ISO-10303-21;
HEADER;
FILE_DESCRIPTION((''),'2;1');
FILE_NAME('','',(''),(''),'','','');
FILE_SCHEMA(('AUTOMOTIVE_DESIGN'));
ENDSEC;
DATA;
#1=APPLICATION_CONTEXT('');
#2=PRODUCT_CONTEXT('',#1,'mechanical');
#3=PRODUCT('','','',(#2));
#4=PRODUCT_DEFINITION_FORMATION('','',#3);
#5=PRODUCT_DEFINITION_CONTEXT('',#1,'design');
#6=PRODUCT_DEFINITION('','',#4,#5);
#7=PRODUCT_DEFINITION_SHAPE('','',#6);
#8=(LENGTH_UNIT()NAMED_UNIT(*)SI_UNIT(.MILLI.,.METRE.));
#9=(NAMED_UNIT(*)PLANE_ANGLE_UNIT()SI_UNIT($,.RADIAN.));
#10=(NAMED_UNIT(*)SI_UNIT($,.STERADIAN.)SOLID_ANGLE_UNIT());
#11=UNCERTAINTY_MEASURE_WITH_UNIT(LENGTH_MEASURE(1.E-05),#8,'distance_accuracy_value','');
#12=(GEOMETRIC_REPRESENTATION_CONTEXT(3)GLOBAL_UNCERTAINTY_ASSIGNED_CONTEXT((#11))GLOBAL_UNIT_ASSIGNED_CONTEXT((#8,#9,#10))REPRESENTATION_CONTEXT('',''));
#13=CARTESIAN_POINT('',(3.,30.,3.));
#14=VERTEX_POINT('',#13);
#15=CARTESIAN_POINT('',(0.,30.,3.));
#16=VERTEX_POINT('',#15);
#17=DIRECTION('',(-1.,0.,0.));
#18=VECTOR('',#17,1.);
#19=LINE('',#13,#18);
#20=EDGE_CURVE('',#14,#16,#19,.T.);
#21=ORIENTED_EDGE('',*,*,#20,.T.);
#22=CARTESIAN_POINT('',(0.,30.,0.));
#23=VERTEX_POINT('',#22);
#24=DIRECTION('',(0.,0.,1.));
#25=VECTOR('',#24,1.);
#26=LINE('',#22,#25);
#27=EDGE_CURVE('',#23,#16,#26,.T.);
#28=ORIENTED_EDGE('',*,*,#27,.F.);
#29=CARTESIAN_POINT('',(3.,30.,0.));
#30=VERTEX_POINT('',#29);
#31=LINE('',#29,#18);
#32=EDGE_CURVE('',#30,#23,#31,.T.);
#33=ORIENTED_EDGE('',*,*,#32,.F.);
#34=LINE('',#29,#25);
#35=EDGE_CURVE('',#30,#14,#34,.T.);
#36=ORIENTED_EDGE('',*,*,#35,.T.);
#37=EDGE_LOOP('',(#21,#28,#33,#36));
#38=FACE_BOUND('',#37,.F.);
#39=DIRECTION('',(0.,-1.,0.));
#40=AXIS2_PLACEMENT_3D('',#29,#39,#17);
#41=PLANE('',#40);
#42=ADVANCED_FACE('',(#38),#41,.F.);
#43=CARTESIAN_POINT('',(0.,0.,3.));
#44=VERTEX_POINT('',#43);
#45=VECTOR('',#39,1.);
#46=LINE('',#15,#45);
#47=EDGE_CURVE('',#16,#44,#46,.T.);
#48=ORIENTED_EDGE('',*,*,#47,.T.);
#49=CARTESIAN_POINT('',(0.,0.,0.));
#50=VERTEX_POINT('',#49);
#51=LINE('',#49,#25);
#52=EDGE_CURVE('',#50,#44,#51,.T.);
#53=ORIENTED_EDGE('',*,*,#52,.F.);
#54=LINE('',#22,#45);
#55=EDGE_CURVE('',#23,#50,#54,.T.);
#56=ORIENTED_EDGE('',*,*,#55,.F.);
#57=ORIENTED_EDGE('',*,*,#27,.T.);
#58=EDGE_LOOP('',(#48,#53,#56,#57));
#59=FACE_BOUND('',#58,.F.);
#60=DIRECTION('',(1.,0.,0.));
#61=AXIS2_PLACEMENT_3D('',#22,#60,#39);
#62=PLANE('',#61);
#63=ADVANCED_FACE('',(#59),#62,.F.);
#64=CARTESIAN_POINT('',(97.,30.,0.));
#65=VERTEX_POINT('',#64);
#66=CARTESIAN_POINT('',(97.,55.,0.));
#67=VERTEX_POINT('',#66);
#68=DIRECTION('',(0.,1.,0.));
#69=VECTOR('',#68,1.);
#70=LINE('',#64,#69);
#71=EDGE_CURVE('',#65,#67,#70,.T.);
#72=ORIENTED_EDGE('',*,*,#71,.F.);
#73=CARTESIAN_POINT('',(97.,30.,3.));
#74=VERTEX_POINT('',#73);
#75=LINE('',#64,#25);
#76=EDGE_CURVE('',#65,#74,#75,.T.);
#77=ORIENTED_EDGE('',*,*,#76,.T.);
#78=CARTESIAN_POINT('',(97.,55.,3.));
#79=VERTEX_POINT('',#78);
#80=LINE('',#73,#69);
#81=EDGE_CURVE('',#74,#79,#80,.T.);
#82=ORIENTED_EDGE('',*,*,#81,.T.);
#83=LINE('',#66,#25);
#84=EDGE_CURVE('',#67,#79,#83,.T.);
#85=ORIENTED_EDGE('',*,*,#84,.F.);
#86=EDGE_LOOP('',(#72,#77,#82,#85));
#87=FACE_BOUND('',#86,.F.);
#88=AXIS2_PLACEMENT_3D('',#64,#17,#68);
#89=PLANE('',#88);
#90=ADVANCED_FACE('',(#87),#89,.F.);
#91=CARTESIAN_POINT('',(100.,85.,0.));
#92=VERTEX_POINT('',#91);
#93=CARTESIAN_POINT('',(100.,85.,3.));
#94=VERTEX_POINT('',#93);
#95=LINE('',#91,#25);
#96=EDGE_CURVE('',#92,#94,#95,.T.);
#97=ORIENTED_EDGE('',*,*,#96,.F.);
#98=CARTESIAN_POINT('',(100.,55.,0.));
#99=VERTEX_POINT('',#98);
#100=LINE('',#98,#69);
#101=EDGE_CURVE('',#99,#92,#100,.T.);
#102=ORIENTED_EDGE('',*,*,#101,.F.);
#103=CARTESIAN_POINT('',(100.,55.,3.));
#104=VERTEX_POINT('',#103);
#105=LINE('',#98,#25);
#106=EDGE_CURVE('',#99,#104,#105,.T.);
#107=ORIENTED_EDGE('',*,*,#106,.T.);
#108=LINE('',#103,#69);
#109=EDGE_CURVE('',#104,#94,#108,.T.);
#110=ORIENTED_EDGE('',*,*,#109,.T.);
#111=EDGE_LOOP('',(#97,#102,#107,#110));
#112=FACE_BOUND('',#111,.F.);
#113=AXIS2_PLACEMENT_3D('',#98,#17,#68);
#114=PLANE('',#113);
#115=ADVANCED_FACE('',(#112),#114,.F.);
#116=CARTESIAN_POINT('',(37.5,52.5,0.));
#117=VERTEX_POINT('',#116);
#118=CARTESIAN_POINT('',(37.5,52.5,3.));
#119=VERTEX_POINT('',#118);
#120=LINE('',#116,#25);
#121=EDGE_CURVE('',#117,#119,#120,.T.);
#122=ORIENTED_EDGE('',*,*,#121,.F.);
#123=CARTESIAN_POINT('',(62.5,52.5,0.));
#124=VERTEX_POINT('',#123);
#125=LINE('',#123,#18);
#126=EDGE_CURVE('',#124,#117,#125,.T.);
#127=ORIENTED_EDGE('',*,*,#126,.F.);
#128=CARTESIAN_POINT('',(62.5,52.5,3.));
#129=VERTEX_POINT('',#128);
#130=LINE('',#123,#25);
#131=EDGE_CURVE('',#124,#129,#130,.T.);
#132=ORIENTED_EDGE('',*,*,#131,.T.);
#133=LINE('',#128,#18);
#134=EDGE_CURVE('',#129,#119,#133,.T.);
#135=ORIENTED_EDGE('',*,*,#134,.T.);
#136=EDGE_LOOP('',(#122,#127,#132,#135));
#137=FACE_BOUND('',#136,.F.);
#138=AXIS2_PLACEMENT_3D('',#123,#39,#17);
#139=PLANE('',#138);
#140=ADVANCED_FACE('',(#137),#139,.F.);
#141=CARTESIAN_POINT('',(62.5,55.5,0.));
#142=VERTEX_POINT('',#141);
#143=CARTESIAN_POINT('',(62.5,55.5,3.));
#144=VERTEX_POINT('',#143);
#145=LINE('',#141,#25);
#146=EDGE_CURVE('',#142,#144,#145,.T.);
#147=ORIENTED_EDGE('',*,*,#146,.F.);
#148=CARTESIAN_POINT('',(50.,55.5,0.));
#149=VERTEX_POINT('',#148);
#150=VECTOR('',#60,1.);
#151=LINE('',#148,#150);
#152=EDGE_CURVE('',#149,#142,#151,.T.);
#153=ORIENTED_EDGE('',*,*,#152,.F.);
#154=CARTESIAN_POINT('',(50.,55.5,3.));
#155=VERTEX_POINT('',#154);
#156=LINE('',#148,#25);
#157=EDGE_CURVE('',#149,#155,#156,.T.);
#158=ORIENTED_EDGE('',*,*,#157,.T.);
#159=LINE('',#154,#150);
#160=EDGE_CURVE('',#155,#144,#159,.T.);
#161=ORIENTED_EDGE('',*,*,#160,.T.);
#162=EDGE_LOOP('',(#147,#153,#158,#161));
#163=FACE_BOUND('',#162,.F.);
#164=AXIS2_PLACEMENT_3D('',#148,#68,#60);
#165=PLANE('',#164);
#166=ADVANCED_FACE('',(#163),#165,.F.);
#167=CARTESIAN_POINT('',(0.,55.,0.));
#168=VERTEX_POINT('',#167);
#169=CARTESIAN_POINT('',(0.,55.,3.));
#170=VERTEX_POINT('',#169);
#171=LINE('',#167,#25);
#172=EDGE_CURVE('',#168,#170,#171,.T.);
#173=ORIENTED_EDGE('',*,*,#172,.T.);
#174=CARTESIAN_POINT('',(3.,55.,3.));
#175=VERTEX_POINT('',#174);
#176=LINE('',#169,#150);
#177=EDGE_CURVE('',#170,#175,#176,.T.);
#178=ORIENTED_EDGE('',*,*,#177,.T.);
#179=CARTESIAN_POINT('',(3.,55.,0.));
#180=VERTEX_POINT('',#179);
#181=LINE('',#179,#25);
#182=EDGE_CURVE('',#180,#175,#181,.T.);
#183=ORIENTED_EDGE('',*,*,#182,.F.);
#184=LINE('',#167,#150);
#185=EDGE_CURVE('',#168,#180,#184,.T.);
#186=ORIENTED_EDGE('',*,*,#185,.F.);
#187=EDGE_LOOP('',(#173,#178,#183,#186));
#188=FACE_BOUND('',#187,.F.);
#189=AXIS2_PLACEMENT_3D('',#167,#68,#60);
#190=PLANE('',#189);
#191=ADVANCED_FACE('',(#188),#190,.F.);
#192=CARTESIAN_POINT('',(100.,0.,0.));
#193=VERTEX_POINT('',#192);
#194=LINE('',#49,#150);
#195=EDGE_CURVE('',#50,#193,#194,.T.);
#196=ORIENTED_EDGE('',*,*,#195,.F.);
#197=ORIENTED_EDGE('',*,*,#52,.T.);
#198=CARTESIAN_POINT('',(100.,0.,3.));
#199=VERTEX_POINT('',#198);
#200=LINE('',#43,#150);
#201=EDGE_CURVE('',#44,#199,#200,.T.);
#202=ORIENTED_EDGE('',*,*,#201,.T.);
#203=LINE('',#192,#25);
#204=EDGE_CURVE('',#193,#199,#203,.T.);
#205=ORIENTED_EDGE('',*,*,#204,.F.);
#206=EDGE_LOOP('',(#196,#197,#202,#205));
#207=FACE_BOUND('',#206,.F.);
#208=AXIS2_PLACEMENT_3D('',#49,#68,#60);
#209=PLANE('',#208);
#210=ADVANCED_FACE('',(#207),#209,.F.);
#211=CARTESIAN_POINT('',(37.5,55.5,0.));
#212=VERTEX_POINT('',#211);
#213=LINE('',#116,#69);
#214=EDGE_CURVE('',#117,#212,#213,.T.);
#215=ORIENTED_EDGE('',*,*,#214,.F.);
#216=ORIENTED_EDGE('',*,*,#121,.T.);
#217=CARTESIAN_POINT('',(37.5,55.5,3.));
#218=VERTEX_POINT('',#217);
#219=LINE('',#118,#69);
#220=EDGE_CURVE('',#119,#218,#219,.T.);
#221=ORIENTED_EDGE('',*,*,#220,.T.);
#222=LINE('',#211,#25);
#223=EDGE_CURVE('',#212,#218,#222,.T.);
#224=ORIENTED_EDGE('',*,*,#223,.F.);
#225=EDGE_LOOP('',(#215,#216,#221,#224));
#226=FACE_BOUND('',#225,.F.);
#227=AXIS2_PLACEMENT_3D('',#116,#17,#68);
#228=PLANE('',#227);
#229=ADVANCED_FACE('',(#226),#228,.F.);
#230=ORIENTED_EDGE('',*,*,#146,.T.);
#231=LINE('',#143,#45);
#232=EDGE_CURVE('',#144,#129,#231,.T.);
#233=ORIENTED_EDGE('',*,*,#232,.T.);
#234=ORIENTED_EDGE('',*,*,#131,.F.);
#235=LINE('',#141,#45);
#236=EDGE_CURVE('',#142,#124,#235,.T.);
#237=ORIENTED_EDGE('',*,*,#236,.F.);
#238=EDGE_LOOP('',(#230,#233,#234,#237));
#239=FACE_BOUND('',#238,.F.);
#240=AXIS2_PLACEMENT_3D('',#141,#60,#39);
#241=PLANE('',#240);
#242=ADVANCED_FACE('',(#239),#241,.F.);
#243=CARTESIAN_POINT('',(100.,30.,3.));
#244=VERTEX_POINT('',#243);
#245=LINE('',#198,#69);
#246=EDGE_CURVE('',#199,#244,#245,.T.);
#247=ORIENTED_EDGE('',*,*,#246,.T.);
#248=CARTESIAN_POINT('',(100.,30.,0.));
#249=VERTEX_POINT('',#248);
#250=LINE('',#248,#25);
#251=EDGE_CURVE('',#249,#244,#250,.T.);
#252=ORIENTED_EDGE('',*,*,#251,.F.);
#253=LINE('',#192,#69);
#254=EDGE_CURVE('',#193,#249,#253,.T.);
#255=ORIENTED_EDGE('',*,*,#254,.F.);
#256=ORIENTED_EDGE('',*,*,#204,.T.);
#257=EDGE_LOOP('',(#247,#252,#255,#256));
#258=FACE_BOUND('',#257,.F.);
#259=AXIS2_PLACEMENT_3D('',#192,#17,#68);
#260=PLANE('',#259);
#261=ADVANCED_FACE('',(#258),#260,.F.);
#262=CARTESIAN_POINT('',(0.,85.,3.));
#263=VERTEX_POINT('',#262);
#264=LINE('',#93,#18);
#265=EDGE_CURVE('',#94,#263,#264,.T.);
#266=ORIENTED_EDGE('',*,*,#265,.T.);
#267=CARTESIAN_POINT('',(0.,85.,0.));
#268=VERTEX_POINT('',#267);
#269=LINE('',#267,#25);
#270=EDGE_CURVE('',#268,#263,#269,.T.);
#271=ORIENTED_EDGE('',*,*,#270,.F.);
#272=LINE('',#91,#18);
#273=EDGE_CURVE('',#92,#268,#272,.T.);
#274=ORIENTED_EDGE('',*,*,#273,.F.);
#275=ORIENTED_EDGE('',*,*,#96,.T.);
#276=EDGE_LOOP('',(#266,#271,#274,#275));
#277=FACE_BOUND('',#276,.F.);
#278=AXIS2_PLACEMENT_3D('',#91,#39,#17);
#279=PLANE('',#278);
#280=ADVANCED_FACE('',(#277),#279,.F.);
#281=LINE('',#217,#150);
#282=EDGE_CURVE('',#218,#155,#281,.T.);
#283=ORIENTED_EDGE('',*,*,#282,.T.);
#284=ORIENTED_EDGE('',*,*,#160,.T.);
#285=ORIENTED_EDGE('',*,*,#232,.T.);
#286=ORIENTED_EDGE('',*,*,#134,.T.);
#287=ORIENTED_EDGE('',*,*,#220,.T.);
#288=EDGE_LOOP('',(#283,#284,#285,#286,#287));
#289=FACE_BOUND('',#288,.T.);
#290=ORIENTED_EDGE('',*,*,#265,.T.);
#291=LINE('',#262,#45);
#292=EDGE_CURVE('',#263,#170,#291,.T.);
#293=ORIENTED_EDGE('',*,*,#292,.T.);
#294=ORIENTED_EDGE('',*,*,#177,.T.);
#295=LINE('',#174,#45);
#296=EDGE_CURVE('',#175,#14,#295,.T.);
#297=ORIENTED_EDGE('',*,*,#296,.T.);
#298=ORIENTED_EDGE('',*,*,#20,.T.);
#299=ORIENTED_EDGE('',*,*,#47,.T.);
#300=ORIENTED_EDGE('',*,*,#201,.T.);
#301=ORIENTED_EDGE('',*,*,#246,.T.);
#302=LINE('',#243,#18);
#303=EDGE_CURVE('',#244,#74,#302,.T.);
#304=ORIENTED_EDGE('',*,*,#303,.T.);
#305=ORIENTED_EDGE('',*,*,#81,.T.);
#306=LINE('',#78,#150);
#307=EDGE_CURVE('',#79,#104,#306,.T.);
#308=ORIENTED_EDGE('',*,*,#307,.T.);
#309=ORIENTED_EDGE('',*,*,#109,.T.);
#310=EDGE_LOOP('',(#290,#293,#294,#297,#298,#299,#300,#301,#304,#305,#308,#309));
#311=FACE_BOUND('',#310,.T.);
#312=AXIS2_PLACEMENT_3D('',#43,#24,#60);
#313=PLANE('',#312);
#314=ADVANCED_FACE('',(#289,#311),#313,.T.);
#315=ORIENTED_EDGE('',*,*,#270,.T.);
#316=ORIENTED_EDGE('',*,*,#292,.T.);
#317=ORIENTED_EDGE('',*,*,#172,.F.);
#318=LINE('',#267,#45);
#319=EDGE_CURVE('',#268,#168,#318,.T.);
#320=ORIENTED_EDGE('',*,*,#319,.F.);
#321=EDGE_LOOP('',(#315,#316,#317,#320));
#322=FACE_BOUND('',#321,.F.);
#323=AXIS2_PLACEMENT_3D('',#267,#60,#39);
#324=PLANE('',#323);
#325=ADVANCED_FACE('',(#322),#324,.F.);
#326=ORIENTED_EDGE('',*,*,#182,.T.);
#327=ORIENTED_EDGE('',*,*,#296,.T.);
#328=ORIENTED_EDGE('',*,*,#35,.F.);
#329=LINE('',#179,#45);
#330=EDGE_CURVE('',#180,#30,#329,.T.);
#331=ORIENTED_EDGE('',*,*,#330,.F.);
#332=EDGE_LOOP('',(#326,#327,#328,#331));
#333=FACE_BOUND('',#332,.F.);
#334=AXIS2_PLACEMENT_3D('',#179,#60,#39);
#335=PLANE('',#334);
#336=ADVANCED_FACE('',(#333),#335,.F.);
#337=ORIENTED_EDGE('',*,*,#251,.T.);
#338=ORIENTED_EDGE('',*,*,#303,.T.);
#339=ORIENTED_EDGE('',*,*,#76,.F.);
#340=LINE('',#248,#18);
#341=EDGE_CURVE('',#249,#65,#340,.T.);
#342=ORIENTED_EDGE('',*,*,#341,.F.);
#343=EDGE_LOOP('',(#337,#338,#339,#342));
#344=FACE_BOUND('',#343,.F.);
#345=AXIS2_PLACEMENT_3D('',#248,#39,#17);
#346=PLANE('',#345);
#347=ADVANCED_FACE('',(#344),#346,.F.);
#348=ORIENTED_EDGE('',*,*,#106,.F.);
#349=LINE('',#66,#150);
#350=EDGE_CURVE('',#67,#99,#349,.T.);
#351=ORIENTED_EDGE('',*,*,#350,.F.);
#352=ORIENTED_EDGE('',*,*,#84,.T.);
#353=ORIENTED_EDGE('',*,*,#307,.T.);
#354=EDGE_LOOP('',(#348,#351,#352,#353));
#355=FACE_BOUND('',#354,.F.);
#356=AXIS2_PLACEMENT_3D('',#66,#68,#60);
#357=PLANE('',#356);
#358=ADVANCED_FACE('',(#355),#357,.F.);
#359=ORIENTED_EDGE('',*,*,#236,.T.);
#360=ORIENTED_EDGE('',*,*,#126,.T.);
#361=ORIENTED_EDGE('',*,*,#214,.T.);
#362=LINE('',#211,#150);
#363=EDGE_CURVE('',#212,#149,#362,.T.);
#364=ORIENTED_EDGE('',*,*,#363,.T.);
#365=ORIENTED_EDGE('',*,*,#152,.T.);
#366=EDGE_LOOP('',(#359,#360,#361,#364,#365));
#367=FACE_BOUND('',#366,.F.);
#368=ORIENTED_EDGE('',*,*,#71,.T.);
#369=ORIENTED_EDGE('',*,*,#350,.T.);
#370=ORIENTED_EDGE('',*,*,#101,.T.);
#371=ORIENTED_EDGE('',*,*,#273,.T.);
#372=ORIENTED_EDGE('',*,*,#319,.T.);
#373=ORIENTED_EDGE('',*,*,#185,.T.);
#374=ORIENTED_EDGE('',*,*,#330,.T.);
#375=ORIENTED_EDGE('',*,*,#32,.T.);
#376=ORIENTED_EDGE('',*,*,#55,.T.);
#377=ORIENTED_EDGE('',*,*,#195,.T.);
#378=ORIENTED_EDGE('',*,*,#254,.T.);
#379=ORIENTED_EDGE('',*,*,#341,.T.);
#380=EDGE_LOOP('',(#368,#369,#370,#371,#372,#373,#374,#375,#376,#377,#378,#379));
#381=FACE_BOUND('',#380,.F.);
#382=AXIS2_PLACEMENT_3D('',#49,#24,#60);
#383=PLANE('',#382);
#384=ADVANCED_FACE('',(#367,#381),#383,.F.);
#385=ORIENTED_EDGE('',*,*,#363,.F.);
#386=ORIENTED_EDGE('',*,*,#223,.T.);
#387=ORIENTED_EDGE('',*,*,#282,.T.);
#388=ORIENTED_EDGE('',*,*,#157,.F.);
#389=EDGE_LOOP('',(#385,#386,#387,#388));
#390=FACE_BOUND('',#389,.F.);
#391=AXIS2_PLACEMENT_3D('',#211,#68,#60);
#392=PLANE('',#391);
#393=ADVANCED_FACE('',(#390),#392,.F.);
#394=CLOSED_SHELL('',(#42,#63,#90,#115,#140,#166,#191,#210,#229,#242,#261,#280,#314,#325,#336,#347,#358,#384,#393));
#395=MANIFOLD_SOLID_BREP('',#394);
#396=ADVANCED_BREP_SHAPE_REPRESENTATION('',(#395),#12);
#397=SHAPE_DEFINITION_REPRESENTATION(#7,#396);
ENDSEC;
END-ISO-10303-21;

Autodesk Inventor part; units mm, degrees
ref_plane "YZ Plane" through (0, 0, 0) normal (1, 0, 0) x (0, 1, 0)
ref_plane "XZ Plane" through (0, 0, 0) normal (0, 1, 0) x (-1, 0, 0)
ref_plane "XY Plane" through (0, 0, 0) normal (0, 0, 1) x (1, 0, 0)
sketch "Sketch1" plane through (0, 0, 0) normal (0, 0, 1) x (1, 0, 0)
  line L0 (0, 0) -> (100, 0)
  line L1 (100, 0) -> (100, 30)
  line L2 (100, 30) -> (97, 30)
  line L3 (97, 30) -> (97, 55)
  line L4 (97, 55) -> (100, 55)
  line L5 (100, 55) -> (100, 85)
  line L6 (100, 85) -> (0, 85)
  line L7 (0, 85) -> (0, 55)
  line L8 (0, 55) -> (3, 55)
  line L9 (3, 55) -> (3, 30)
  line L10 (3, 30) -> (0, 30)
  line L11 (0, 30) -> (0, 0)
  line L12 (50, 0) -> (50, 52.5) construction
  line L13 (50, 52.5) -> (50, 80) construction
  circle A0 centre (50, 80) radius 27.5 construction
  line L14 (50, 80) -> (50, 85) construction
  line L15 (50, 107.5) -> (50, 85) construction
  line L16 (50, 52.5) -> (50, 60.5) construction
  line L17 (50, 60.5) -> (50, 70.5) construction
  line L18 (50, 52.5) -> (50, 55.5) construction
  line L19 (50, 55.5) -> (50, 52.5) construction
  line L20 (50, 55.5) -> (62.5, 55.5)
  line L21 (62.5, 55.5) -> (62.5, 52.5)
  line L22 (62.5, 52.5) -> (37.5, 52.5)
  line L23 (37.5, 52.5) -> (37.5, 55.5)
  line L24 (37.5, 55.5) -> (50, 55.5)
  dimension "d15" = 55
  dimension "d0" = 100
  dimension "d1" = 30
  dimension "d3" = 25
  dimension "d4" = 3
  dimension "d5" = 30
  dimension "d6" = 100
  dimension "d7" = 30
  dimension "d8" = 3
  dimension "d9" = 25
  dimension "d10" = 3
  dimension "d13" = 52.5
  dimension "d14" = 27.5
  dimension "d17" = 8
  dimension "d18" = 10
  dimension "d21" = 3
  dimension "d22" = 12.5
  dimension "d23" = 3
  dimension "d24" = 25
  dimension "d25" = 3
  dimension "d26" = 52.5
extrude "Extrusion1" add sketch "Sketch1" along normal blind 3
properties part number "Samping"
